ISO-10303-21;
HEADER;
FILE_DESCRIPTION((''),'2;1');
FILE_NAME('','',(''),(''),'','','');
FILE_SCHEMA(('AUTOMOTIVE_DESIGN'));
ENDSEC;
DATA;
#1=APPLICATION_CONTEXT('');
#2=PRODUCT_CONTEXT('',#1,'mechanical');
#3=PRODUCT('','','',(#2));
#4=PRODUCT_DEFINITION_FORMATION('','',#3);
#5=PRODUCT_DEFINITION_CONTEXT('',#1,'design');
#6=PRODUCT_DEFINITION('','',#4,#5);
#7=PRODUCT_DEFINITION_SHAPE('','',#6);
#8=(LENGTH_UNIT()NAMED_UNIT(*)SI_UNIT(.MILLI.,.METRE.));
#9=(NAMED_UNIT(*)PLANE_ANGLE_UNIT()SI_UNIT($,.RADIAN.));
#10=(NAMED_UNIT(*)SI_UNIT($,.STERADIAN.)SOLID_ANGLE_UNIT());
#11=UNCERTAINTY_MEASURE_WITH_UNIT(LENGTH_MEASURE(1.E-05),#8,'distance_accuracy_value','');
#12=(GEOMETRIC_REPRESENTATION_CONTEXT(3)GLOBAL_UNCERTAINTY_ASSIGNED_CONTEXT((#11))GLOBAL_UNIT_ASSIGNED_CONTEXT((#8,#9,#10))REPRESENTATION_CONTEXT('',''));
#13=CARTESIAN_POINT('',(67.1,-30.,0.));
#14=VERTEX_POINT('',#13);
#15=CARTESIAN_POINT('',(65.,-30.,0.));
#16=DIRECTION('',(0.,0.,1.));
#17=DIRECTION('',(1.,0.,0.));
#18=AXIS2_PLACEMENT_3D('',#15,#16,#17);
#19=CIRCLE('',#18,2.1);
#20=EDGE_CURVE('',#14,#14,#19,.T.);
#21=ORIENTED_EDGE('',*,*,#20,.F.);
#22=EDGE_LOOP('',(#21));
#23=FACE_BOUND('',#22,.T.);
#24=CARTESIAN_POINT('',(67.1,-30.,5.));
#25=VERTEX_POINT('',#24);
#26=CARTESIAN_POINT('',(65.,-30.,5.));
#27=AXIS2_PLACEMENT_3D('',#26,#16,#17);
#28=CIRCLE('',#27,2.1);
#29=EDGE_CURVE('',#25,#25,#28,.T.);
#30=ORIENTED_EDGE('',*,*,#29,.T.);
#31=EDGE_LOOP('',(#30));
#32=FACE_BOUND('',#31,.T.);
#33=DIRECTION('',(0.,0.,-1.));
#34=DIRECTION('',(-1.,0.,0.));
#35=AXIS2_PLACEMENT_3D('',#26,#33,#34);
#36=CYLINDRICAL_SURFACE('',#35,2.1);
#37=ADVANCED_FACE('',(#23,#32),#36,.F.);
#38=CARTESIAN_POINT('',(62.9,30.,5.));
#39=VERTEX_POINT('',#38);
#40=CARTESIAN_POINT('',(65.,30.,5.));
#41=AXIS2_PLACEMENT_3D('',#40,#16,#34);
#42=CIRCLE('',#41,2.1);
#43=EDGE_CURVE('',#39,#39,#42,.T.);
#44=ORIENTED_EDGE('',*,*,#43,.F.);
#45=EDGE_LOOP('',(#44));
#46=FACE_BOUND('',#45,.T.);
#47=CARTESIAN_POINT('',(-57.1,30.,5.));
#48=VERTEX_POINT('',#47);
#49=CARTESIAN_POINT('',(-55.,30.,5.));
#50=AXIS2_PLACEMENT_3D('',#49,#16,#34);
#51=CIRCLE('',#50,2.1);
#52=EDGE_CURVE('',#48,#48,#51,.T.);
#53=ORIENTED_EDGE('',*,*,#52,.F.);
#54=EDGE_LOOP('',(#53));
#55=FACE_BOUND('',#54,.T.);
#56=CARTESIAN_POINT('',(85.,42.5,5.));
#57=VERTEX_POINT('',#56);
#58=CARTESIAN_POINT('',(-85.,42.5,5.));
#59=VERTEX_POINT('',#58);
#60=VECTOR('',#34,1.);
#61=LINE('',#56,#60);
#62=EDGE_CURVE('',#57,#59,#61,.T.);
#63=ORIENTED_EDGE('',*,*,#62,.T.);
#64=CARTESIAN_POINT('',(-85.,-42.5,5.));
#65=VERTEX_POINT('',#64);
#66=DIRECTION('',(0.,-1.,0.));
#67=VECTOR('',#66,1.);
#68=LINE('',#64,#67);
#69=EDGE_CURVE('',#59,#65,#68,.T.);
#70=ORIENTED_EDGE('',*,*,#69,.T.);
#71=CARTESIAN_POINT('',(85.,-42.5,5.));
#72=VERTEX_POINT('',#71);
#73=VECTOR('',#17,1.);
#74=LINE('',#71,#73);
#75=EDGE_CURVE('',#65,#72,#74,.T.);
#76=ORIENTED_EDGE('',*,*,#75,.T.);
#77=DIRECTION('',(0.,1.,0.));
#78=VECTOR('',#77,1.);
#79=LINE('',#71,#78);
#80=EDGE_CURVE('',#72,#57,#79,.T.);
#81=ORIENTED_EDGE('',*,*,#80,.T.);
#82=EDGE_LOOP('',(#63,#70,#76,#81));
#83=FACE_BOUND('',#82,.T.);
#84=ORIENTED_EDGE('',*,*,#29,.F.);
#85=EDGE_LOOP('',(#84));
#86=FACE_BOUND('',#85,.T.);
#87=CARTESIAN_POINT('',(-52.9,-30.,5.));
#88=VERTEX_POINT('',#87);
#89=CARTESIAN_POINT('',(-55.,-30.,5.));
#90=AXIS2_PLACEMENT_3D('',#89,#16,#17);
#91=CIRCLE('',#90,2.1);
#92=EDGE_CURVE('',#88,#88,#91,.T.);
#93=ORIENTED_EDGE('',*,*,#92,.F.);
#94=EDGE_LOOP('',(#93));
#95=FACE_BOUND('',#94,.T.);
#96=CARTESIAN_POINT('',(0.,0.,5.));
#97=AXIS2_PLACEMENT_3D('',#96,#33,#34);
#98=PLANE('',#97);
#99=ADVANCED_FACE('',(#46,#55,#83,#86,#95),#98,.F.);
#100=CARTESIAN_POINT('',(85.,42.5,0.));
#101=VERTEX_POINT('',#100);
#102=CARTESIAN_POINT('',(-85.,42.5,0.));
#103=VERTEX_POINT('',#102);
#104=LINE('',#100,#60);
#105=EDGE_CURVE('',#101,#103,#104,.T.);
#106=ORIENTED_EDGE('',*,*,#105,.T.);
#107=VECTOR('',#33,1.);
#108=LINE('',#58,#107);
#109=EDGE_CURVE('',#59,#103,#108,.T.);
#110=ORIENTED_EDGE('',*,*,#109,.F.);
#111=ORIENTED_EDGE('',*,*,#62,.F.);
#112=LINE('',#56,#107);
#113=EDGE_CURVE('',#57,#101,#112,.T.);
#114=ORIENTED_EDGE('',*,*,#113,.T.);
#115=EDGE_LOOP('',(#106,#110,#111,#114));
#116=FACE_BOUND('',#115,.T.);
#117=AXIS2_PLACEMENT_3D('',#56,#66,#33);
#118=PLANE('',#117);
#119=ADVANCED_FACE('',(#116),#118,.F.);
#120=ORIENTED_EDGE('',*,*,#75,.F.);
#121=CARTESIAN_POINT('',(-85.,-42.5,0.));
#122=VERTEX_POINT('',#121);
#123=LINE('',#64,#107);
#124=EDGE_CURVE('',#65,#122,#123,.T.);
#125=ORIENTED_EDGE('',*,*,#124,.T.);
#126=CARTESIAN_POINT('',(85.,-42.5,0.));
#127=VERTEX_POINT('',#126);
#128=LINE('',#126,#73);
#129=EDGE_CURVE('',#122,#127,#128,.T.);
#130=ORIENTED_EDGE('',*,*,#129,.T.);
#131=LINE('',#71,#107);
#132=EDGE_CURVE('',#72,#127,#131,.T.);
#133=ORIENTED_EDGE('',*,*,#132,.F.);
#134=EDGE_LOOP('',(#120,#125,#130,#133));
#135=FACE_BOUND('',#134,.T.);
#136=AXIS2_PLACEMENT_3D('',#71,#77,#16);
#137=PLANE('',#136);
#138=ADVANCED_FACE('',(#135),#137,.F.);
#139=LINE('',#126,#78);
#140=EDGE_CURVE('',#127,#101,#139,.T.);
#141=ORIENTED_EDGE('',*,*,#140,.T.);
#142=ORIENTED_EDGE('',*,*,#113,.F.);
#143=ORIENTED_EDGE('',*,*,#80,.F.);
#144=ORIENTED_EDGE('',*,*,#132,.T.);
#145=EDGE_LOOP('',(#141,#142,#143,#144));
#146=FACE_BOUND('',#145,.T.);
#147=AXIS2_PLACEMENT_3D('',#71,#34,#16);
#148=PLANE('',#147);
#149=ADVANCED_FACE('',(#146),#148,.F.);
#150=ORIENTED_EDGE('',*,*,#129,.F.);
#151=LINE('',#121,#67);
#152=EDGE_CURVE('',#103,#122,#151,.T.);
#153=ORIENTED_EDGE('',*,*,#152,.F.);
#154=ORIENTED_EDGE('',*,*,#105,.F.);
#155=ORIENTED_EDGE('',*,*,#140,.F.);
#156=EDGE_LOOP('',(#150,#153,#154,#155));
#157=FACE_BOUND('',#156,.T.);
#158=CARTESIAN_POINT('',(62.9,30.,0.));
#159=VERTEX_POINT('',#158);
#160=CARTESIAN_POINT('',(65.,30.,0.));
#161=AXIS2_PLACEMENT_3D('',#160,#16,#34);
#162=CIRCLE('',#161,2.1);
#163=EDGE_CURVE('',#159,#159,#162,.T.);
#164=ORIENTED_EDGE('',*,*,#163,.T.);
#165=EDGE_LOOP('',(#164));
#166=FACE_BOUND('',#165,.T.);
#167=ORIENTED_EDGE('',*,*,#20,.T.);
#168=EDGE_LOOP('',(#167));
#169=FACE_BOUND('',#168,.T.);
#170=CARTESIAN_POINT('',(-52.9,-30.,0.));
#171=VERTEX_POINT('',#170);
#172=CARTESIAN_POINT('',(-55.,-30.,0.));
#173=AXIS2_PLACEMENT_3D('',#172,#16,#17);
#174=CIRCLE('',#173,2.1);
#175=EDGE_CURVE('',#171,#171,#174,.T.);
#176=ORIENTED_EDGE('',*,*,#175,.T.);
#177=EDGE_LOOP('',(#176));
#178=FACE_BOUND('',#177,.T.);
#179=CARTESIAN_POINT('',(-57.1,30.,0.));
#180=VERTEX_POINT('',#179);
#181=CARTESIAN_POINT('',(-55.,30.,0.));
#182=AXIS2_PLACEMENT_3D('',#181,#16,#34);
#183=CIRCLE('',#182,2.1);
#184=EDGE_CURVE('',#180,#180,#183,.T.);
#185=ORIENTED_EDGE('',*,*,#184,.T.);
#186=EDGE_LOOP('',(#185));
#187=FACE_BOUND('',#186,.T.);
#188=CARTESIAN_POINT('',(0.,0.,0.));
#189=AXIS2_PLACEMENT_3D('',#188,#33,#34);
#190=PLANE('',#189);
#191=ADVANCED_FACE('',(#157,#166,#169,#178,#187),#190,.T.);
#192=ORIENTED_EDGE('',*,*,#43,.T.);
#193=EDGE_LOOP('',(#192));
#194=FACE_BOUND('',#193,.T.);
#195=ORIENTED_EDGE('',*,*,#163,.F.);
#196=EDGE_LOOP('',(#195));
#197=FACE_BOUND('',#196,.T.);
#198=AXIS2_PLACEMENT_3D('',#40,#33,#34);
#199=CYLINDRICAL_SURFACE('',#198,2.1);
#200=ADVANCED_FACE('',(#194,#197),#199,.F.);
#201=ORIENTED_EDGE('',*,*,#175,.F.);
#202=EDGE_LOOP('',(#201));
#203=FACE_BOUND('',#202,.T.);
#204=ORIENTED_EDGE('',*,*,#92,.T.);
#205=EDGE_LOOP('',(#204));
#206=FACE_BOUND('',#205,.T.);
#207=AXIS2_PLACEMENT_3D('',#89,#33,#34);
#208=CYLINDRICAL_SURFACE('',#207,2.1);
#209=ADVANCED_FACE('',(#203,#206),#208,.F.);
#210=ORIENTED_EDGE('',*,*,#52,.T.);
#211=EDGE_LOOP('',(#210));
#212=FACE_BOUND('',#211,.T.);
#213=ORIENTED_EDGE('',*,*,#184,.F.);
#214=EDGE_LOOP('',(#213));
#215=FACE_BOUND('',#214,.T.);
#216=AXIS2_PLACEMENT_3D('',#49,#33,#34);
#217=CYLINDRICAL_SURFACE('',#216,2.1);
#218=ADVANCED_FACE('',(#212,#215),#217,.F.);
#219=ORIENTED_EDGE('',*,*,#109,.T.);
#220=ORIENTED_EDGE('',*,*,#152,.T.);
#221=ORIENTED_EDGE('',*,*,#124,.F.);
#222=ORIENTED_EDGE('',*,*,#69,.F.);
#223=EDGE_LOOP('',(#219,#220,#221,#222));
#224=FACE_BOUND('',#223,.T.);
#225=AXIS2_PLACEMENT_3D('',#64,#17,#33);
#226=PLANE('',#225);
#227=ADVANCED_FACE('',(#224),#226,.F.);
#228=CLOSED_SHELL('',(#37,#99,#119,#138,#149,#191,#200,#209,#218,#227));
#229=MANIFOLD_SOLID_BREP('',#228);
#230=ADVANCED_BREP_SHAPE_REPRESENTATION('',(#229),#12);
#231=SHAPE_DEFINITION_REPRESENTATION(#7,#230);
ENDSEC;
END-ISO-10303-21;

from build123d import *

# Parameters (mm, degrees)
SKETCH1_W           = 85
SKETCH1_H           = 170
SKETCH1_R           = 2.1
BOSS_EXTRUDE1_DEPTH = 5


with BuildPart() as part:
    # Sketch1 → Boss-Extrude1 (new body)
    with BuildSketch(Plane(origin=(0, 0, 0), x_dir=(0, 1, 0), z_dir=(0, 0, 1))):
        Rectangle(SKETCH1_W, SKETCH1_H)
        with Locations(Location((-30, 55, 0), (0, 0, 270))):
            Circle(SKETCH1_R, mode=Mode.SUBTRACT)
        with Locations(Location((-30, -65, 0), (0, 0, 270))):
            Circle(SKETCH1_R, mode=Mode.SUBTRACT)
        with Locations(Location((30, -65, 0), (0, 0, 90))):
            Circle(SKETCH1_R, mode=Mode.SUBTRACT)
        with Locations(Location((30, 55, 0), (0, 0, 90))):
            Circle(SKETCH1_R, mode=Mode.SUBTRACT)
    extrude(amount=BOSS_EXTRUDE1_DEPTH)


solid = part.part
